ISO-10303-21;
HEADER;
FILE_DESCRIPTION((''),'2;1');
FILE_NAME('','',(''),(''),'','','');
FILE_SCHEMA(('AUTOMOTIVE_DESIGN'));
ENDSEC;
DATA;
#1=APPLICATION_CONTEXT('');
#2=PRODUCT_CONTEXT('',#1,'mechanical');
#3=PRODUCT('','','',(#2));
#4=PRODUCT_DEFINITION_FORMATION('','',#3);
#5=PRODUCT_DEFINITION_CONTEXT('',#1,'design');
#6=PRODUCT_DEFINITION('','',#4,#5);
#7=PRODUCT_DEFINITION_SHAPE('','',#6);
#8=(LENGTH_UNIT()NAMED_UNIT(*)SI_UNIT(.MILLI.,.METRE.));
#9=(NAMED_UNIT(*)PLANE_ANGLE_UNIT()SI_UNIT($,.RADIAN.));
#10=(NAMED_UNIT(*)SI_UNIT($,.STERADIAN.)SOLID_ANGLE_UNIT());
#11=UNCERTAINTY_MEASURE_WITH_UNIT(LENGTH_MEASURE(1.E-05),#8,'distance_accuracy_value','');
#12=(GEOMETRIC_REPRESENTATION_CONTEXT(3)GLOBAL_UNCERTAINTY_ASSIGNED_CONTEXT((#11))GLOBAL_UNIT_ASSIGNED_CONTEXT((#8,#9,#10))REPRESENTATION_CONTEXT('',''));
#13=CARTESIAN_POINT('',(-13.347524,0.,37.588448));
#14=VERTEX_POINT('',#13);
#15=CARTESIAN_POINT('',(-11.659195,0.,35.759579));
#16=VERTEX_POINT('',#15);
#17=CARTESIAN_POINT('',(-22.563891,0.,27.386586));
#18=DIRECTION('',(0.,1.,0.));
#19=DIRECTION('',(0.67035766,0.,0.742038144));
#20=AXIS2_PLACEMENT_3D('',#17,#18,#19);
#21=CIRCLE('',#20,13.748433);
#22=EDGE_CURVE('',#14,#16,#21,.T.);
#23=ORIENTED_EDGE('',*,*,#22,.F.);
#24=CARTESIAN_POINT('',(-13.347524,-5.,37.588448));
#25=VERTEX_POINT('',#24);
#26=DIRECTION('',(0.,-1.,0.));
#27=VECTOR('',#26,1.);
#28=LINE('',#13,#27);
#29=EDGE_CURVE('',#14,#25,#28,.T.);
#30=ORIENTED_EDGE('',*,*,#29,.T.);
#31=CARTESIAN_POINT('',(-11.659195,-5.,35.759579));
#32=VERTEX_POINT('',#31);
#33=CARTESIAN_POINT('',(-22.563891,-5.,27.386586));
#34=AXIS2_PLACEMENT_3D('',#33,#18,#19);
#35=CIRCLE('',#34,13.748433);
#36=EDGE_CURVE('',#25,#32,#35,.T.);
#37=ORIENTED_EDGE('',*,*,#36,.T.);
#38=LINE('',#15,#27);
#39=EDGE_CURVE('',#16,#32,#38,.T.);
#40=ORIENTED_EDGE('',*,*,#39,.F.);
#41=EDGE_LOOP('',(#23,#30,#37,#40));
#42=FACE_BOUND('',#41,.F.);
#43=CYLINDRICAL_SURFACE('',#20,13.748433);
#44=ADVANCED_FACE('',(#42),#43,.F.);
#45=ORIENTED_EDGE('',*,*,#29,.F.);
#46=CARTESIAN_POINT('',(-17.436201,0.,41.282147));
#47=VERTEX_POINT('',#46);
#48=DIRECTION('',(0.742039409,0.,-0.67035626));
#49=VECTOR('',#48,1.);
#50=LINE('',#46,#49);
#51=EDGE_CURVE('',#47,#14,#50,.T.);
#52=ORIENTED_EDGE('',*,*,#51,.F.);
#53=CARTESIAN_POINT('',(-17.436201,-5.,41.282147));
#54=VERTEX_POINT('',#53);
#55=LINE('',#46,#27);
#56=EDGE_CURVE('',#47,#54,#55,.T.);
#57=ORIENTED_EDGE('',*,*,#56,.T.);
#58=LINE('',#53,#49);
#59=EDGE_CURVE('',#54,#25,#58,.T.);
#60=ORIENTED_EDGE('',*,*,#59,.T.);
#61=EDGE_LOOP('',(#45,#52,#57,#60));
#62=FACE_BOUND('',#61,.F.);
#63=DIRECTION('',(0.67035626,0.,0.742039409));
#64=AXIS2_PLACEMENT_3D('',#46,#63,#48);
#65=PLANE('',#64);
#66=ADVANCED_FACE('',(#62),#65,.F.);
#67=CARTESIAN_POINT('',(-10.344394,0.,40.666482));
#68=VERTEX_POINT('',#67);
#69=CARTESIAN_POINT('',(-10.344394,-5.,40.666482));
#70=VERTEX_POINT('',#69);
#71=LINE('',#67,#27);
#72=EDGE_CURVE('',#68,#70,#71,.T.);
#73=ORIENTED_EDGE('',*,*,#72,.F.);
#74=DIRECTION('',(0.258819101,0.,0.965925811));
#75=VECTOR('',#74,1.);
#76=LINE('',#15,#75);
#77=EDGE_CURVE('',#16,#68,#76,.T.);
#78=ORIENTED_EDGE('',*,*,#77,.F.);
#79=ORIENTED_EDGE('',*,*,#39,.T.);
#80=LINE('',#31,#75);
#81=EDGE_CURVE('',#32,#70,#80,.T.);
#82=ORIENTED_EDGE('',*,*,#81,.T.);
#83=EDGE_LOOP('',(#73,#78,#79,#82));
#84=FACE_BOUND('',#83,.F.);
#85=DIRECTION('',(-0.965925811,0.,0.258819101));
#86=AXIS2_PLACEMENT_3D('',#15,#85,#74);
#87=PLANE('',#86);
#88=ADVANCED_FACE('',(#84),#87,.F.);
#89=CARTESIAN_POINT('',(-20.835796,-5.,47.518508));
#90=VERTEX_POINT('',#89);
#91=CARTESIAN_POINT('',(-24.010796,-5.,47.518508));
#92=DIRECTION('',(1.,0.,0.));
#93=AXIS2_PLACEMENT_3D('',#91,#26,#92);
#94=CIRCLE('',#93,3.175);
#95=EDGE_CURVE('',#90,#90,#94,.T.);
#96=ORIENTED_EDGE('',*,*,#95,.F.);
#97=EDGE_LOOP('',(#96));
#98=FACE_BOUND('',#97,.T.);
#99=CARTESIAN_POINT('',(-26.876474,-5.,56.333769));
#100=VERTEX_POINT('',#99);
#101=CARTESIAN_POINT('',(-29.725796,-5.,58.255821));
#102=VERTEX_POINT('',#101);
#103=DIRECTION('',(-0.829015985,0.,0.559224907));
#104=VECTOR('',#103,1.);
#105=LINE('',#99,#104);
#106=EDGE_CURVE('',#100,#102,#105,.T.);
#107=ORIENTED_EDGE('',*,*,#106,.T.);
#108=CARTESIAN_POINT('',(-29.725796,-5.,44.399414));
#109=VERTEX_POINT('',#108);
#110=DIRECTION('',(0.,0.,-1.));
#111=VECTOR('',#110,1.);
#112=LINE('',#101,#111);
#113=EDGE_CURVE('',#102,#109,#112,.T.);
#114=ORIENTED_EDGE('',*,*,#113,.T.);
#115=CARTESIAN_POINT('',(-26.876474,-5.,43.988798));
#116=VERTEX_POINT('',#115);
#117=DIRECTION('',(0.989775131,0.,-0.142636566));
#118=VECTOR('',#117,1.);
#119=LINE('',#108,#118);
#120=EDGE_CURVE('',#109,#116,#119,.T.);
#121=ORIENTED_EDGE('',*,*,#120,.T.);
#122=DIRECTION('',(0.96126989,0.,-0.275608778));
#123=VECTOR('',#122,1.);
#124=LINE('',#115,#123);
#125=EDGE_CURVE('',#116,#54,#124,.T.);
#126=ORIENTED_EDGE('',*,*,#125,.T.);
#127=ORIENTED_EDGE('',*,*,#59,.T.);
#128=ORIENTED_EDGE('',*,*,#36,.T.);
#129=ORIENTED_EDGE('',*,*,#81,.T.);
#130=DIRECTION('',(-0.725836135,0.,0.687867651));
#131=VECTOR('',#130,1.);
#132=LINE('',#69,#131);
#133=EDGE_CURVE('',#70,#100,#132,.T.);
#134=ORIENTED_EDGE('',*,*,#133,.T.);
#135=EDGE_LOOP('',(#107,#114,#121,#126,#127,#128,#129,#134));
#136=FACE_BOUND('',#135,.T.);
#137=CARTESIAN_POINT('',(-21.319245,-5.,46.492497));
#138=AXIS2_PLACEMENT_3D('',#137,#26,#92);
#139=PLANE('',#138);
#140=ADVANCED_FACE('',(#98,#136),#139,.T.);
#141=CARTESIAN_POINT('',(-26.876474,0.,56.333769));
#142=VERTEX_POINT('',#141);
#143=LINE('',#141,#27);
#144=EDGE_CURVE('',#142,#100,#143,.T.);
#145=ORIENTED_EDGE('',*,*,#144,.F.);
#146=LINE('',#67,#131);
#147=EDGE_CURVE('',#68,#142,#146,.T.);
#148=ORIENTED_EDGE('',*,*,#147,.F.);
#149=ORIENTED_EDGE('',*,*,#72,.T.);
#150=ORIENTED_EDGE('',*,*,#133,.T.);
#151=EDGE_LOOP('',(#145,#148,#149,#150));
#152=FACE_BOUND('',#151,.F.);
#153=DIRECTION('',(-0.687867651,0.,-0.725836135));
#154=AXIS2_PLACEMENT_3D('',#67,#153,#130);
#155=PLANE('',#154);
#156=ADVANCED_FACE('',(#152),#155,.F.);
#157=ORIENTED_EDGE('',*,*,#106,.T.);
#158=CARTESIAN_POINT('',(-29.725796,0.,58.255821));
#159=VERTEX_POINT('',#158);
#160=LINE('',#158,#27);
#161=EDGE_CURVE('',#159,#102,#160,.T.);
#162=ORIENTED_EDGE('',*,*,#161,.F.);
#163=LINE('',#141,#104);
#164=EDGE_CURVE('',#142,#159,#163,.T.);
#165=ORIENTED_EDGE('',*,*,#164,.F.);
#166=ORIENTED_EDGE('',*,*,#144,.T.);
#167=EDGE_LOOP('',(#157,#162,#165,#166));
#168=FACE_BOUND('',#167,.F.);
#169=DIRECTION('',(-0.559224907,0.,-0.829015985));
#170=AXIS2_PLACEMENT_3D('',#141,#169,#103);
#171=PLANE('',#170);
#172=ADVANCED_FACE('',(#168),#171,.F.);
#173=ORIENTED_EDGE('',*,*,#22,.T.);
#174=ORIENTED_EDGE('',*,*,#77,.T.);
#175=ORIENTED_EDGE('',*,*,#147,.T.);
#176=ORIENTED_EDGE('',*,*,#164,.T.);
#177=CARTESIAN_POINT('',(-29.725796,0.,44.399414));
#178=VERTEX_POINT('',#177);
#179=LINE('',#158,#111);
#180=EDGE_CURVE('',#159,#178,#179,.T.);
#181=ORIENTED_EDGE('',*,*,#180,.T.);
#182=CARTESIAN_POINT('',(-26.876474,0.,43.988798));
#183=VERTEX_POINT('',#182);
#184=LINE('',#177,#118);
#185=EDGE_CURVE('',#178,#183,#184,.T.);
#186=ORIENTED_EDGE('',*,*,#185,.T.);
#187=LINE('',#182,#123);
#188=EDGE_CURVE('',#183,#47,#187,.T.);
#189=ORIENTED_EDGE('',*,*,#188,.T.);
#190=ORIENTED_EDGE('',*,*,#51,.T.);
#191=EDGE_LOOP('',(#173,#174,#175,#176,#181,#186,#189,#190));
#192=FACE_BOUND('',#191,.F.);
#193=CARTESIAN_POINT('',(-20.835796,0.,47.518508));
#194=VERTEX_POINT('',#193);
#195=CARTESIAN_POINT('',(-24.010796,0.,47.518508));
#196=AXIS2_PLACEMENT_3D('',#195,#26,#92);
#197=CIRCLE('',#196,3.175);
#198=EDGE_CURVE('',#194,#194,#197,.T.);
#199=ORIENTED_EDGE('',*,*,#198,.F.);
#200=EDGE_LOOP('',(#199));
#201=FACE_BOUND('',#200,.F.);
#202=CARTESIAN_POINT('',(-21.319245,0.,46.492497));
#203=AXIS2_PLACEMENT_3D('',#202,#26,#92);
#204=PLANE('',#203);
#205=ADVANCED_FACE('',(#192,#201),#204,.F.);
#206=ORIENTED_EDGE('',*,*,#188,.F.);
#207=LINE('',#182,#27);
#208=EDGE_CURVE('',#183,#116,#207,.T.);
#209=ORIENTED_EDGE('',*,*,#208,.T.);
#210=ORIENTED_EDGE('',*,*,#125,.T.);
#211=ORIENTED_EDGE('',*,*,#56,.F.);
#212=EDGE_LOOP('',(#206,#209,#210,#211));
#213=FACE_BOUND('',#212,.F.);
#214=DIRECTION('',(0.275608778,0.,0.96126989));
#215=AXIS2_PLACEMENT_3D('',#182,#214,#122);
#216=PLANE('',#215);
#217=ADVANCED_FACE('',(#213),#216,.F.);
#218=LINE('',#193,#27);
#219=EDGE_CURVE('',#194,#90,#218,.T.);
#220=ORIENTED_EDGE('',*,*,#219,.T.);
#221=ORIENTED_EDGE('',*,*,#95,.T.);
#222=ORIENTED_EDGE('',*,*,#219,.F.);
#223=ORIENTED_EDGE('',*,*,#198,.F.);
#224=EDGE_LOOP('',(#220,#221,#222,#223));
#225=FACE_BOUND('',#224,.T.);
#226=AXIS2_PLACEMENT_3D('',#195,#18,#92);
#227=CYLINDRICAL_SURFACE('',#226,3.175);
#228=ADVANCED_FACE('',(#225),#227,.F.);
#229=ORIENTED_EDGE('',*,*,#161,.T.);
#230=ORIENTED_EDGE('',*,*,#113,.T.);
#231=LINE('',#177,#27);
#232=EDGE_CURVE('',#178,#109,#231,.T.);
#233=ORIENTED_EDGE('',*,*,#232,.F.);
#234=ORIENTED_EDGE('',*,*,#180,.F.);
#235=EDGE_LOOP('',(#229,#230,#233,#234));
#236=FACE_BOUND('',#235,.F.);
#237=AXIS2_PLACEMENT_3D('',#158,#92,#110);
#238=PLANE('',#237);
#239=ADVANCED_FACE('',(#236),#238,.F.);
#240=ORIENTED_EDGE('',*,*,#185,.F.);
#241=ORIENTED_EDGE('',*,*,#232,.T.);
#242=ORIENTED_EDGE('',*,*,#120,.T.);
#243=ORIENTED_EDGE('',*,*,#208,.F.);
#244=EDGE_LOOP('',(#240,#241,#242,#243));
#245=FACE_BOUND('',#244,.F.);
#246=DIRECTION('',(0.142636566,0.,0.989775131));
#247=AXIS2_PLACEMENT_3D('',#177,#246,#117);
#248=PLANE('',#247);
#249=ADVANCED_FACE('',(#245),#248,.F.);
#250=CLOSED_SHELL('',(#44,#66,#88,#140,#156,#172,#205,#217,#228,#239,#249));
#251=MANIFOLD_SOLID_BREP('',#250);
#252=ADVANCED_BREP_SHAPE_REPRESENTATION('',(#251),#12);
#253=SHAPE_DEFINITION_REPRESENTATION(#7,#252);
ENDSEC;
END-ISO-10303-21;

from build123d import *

# Parameters (mm, degrees)
F0_R     = 3.175
F1_DEPTH = 5


with BuildPart() as f1:
    # F0 (on Front) → F1 (new body)
    with BuildSketch(Plane.XZ):
        with BuildLine():
            ThreePointArc((-13.347524, 37.588448), (-12.461887, 36.712299), (-11.659195, 35.759579))
            Line((-11.659195, 35.759579), (-10.344394, 40.666482))
            Line((-10.344394, 40.666482), (-26.876474, 56.333769))
            Line((-26.876474, 56.333769), (-29.725796, 58.255821))
            Line((-29.725796, 58.255821), (-29.725796, 44.399414))
            Line((-29.725796, 44.399414), (-26.876474, 43.988798))
            Line((-26.876474, 43.988798), (-17.436201, 41.282147))
            Line((-17.436201, 41.282147), (-13.347524, 37.588448))
        make_face()
        with Locations((-24.010796, 47.518508)):
            Circle(F0_R, mode=Mode.SUBTRACT)
    extrude(amount=F1_DEPTH)


solid = f1.part
